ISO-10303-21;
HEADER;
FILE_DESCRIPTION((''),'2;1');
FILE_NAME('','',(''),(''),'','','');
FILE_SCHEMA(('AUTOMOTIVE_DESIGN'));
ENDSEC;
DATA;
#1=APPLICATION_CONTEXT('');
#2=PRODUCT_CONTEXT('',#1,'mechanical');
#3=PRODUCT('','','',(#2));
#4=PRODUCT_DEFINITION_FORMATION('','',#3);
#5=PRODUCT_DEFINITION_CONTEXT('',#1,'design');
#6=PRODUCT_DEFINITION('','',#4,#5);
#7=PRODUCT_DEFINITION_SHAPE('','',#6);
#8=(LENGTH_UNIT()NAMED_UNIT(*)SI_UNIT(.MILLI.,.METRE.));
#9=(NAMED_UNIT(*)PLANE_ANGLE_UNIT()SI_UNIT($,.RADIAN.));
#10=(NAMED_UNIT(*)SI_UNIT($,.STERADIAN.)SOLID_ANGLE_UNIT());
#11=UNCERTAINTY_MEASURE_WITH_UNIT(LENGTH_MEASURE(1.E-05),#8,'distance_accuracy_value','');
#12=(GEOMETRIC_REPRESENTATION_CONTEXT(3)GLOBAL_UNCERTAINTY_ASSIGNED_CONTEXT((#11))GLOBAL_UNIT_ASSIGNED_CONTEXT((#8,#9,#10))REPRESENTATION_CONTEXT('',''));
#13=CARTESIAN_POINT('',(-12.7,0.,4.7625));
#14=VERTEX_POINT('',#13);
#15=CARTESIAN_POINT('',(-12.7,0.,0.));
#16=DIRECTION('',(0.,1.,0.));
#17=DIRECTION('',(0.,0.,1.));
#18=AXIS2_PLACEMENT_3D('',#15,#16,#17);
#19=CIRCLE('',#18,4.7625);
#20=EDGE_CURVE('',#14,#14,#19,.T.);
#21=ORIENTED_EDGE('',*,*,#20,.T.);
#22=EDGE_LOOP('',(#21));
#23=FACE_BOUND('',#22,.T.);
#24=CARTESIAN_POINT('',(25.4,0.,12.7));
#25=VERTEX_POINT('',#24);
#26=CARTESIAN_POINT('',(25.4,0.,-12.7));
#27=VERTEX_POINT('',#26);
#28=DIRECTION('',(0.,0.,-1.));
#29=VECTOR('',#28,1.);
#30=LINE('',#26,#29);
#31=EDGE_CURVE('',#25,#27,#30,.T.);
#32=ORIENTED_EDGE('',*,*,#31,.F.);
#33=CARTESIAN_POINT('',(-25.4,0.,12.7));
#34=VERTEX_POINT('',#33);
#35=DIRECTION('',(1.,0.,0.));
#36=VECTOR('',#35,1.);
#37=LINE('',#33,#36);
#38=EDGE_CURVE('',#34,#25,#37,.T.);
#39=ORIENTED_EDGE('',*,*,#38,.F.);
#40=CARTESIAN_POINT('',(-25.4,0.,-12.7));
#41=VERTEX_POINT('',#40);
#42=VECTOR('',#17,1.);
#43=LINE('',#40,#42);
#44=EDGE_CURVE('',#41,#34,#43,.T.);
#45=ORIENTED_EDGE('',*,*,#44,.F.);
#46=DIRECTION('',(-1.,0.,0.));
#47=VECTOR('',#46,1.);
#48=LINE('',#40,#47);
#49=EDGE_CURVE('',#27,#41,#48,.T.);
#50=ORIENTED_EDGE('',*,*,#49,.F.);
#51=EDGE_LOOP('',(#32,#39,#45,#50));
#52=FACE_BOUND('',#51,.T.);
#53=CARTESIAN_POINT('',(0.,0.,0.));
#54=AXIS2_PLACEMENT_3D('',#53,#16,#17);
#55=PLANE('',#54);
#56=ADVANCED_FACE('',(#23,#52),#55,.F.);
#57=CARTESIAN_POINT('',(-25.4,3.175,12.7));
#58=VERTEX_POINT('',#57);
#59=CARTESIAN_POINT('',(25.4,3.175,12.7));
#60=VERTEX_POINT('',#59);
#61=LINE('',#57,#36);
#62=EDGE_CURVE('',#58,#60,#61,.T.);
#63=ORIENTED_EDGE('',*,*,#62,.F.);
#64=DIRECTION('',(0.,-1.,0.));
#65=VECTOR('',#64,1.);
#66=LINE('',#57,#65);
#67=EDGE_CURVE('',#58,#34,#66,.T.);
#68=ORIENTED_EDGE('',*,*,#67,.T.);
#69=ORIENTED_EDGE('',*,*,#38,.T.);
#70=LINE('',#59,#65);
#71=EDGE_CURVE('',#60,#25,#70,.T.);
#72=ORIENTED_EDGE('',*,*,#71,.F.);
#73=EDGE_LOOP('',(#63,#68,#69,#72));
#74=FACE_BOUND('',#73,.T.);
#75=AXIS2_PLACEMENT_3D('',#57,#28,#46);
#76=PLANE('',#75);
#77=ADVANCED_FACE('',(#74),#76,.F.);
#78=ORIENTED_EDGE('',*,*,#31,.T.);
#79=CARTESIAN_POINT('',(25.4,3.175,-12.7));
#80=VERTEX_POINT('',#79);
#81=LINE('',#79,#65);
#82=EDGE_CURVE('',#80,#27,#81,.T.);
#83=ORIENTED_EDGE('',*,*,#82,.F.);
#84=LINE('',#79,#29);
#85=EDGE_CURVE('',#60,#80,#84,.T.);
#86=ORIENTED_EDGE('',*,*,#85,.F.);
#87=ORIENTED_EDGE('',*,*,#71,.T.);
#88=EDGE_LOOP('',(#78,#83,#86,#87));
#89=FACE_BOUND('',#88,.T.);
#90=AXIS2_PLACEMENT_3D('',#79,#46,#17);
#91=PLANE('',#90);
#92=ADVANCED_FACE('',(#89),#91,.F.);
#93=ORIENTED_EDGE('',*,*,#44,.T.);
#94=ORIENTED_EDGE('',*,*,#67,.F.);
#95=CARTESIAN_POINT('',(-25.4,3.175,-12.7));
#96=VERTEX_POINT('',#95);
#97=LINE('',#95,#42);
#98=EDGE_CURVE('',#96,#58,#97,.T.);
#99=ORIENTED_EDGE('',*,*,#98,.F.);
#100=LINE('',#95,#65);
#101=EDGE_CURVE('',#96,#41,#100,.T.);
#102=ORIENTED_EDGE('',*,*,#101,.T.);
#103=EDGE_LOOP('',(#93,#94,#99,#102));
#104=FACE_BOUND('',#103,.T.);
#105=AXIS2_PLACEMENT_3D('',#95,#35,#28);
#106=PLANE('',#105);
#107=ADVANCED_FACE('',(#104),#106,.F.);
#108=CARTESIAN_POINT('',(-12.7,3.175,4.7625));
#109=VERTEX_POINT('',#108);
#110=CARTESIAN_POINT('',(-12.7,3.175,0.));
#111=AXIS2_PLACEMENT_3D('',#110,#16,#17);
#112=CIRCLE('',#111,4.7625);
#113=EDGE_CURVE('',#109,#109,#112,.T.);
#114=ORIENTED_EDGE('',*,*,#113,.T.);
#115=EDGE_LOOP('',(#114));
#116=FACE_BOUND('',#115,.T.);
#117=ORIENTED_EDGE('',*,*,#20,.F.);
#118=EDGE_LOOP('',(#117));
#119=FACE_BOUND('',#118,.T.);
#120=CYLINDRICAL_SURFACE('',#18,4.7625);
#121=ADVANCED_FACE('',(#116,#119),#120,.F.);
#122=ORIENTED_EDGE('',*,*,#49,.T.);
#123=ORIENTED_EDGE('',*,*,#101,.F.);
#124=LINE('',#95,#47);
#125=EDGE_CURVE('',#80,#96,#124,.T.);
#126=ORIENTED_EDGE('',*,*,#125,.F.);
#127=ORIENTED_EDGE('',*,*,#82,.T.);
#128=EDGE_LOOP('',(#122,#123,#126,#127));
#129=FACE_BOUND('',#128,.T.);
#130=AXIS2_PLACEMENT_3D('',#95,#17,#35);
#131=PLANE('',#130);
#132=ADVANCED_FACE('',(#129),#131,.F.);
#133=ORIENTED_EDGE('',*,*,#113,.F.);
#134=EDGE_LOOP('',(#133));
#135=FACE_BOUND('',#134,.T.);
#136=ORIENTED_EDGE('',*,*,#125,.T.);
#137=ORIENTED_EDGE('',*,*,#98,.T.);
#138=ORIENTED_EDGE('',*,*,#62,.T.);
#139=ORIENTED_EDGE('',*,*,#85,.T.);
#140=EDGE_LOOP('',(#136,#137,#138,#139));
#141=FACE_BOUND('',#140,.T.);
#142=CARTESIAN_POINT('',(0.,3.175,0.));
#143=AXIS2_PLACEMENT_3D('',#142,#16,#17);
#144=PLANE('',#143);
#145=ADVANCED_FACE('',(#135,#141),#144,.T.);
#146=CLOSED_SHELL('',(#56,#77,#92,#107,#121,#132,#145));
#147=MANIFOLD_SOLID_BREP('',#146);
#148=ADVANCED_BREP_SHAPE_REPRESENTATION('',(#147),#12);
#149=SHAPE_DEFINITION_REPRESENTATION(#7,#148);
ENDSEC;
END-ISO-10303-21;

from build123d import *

# Parameters (mm, degrees)
SKETCH1_W           = 50.8
SKETCH1_H           = 25.4
BOSS_EXTRUDE1_DEPTH = 3.175
SKETCH2_R           = 4.7625
CUT_EXTRUDE1_DEPTH  = 3.175


with BuildPart() as part:
    # Sketch1 → Boss-Extrude1 (new body)
    with BuildSketch(Plane(origin=(0, 0, 0), x_dir=(1, 0, 0), z_dir=(0, 1, 0))):
        Rectangle(SKETCH1_W, SKETCH1_H)
    extrude(amount=BOSS_EXTRUDE1_DEPTH)

    # Sketch2 → Cut-Extrude1 (cut)
    with BuildSketch(Plane(origin=(0, 3.175, 0), x_dir=(1, 0, 0), z_dir=(0, 1, 0))):
        with Locations((-12.7, 0)):
            Circle(SKETCH2_R)
    extrude(amount=-CUT_EXTRUDE1_DEPTH, mode=Mode.SUBTRACT)


solid = part.part
